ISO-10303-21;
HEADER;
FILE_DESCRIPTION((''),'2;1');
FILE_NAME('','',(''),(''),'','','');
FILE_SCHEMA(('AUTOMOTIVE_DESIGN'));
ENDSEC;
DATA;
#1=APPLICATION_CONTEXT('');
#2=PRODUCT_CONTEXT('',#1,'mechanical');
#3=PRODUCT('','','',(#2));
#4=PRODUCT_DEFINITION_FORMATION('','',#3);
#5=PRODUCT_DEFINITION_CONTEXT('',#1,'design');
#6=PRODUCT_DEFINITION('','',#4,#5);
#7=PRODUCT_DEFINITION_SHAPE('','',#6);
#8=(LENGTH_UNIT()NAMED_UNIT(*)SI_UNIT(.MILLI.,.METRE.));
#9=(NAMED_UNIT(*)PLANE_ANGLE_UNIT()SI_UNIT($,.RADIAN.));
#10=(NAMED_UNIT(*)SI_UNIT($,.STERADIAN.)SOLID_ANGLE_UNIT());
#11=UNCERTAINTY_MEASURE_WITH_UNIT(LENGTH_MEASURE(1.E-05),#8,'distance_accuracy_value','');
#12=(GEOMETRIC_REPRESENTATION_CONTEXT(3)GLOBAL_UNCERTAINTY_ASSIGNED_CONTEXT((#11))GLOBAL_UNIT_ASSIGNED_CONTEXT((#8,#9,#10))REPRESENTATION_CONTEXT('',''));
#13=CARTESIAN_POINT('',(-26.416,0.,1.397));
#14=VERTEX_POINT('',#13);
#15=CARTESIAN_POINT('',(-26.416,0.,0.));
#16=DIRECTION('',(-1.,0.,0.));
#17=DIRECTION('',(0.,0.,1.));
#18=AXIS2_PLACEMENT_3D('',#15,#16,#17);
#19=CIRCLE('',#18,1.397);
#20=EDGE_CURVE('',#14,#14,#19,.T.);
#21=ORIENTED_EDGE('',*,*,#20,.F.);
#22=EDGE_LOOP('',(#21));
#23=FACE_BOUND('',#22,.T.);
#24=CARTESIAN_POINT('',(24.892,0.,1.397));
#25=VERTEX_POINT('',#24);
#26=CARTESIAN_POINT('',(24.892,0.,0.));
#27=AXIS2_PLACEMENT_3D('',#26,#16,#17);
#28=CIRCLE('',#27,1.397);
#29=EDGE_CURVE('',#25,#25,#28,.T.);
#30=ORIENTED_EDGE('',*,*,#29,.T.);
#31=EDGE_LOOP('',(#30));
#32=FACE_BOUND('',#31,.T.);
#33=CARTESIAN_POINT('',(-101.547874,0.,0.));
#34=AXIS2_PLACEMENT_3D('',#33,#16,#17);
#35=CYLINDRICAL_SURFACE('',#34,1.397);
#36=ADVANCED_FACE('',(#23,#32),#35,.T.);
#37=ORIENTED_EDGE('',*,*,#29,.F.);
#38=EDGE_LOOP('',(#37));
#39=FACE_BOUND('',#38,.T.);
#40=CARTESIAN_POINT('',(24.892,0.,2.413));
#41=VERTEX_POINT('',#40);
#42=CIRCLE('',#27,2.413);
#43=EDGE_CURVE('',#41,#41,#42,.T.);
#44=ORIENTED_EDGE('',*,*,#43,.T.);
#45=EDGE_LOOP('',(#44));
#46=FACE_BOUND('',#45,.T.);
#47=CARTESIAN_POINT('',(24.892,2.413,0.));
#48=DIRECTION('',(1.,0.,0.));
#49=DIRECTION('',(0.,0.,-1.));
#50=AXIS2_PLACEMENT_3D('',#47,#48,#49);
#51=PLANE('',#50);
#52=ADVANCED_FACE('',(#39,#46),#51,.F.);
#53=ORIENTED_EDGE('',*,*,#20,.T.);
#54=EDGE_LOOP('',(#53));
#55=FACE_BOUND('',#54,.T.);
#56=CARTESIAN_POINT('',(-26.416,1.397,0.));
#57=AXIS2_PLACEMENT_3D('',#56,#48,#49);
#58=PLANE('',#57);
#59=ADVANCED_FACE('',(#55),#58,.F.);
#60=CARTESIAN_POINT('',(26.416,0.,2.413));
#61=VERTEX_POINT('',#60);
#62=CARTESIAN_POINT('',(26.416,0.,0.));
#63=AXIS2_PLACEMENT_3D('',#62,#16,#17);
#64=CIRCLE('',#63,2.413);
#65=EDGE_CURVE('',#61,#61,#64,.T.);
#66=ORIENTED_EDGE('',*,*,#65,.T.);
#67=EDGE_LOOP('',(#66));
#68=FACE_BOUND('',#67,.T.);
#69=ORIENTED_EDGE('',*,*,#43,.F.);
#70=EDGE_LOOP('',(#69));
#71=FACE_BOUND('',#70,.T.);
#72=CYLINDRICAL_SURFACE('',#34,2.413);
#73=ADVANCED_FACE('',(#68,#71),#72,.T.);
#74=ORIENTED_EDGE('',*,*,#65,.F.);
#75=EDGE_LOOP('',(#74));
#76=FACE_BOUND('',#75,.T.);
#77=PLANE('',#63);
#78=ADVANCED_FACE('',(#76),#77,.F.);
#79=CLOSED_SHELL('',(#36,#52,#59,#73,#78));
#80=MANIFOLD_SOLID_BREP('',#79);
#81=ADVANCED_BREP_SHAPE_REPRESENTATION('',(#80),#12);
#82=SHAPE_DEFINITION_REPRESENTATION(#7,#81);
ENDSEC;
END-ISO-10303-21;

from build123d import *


with BuildPart() as part:
    # Sketch1 → Revolve1 (revolve)
    with BuildSketch(Plane.XY):
        Polygon((-26.416, 0), (26.416, 0), (26.416, 2.413), (24.892, 2.413), (24.892, 1.397), (-26.416, 1.397), align=None)
    revolve(axis=Axis((-101.547873598, 0, 0), (1, 0, 0)))


solid = part.part
